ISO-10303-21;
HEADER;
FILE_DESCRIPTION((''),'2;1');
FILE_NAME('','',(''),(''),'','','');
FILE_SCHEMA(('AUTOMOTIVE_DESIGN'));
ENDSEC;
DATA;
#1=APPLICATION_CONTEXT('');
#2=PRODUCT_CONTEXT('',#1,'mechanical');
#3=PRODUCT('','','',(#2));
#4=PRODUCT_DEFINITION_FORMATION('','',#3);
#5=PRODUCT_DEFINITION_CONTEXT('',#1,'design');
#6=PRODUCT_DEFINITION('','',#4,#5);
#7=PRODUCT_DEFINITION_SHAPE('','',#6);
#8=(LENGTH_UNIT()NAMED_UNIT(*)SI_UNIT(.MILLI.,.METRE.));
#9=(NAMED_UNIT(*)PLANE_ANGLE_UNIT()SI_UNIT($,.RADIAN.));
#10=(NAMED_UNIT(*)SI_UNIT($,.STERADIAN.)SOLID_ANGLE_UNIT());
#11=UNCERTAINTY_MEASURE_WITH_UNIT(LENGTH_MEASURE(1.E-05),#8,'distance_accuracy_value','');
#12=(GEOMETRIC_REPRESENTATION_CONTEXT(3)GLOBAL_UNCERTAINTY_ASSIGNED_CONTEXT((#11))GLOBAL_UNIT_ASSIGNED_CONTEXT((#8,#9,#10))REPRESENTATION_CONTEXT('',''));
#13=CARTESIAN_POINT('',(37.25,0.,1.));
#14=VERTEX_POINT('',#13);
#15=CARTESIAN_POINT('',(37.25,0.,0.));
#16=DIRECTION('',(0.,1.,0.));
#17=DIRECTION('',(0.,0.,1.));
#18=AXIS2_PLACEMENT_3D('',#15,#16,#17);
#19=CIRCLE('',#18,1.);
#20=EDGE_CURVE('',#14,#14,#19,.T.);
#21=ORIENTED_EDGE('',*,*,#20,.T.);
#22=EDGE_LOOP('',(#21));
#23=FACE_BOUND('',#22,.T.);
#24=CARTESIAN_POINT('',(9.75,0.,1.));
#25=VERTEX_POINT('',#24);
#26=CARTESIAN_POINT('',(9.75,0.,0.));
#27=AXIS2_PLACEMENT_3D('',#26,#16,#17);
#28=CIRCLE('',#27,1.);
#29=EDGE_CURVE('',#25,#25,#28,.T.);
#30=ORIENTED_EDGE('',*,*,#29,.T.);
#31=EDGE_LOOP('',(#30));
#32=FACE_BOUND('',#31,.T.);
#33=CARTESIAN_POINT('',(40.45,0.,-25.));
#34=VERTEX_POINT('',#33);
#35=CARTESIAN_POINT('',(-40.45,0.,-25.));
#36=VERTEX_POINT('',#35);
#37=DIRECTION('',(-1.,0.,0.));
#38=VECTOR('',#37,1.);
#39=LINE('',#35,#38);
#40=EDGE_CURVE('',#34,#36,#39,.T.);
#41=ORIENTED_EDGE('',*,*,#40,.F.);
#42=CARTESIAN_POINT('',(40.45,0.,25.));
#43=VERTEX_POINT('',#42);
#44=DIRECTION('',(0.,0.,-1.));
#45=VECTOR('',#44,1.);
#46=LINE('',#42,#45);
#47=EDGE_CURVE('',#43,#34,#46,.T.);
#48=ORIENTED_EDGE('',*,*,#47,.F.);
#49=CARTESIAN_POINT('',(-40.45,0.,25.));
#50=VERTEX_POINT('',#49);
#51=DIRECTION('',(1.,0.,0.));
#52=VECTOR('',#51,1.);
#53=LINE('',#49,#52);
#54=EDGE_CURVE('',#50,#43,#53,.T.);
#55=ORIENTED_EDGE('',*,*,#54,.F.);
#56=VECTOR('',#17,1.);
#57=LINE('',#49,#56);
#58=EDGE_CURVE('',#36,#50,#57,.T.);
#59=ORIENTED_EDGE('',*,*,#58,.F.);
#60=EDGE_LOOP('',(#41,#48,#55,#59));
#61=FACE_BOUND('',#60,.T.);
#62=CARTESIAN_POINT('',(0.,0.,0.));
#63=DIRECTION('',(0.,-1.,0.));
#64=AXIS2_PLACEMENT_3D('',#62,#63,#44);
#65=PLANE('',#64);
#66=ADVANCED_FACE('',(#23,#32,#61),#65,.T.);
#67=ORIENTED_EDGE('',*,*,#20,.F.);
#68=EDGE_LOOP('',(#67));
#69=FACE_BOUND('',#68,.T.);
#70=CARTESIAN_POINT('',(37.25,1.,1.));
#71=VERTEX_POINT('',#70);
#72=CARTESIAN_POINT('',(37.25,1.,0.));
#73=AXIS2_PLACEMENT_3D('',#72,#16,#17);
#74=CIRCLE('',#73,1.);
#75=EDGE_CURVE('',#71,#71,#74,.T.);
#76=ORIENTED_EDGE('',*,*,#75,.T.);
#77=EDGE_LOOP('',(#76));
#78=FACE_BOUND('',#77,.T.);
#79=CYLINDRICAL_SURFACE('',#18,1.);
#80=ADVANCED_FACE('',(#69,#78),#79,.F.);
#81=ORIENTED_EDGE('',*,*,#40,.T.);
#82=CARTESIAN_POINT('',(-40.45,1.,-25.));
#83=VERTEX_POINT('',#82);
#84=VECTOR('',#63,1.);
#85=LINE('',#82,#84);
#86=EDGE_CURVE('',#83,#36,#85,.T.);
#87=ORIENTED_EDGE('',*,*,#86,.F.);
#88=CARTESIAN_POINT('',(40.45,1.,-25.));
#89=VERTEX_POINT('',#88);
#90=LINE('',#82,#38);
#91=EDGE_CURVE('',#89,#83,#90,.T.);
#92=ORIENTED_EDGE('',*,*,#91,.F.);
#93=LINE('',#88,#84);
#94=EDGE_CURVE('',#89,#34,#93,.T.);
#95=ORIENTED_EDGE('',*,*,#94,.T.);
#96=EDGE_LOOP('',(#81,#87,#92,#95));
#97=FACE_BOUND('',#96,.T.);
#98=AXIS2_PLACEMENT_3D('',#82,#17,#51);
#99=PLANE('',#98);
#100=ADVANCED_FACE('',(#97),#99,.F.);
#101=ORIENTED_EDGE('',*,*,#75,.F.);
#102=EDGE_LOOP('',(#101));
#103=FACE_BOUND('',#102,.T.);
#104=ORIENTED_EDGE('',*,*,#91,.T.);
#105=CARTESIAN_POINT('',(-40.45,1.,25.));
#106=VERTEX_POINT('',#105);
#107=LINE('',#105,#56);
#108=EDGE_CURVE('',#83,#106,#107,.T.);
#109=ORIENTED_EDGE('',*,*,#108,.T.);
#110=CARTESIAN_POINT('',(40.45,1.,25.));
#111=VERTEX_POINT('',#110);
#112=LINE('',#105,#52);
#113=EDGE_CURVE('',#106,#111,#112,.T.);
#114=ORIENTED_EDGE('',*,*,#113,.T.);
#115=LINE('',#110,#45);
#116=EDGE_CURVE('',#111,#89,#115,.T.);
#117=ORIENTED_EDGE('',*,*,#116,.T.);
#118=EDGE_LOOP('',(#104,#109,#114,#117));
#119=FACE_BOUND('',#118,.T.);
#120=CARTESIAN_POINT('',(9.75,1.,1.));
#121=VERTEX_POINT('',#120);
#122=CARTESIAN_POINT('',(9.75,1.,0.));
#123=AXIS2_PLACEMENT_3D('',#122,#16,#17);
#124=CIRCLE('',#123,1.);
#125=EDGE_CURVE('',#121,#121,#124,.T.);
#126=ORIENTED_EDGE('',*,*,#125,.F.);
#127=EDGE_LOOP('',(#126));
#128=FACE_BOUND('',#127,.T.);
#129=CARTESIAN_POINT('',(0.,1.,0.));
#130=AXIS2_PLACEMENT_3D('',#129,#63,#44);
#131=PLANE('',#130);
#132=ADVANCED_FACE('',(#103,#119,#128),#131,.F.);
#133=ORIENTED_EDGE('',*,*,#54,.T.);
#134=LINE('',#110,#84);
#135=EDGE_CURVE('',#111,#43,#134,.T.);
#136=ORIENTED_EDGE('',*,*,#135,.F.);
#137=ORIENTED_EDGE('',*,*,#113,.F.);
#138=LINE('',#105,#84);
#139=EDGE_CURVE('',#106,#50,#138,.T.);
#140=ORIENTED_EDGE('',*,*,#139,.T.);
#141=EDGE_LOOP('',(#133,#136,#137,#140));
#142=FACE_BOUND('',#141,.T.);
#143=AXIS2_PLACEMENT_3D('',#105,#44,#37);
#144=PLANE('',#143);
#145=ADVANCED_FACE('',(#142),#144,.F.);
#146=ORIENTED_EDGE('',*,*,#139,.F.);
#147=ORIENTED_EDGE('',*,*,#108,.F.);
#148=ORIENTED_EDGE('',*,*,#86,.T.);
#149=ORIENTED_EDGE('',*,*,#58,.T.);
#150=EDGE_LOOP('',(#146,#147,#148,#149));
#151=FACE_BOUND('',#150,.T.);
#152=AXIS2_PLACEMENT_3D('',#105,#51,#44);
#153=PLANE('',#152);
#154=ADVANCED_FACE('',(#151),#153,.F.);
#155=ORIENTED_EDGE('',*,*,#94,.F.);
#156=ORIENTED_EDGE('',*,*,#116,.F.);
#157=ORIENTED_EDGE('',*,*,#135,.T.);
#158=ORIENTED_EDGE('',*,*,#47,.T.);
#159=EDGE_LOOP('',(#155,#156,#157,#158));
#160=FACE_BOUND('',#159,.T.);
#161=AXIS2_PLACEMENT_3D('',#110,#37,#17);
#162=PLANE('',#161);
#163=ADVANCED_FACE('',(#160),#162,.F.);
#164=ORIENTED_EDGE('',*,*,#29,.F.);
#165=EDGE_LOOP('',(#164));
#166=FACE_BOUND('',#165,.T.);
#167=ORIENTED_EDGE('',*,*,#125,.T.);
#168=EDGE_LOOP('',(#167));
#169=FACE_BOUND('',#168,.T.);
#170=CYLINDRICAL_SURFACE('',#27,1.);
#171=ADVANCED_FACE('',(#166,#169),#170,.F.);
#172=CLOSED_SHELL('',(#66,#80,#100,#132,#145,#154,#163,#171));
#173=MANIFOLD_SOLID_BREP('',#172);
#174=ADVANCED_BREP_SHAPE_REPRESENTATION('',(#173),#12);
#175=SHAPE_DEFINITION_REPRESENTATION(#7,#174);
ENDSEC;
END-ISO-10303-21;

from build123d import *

# Parameters (mm, degrees)
ESBO_O1_W                = 80.9
ESBO_O1_H                = 50
RESSALTO_EXTRUS_O1_DEPTH = 1
ESBO_O2_R                = 1
CORTE_EXTRUS_O1_DEPTH    = 48.562616623


with BuildPart() as part:
    # Esboço1 → Ressalto-extrusão1 (new body)
    with BuildSketch(Plane(origin=(0, 0, 0), x_dir=(1, 0, 0), z_dir=(0, 1, 0))):
        Rectangle(ESBO_O1_W, ESBO_O1_H)
    extrude(amount=RESSALTO_EXTRUS_O1_DEPTH)

    # Esboço2 → Corte-extrusão1 (cut, through all)
    with BuildSketch(Plane(origin=(0, 1, 0), x_dir=(1, 0, 0), z_dir=(0, 1, 0))):
        with Locations(Location((37.25, 0, 0), (0, 0, 270))):
            Circle(ESBO_O2_R)
        with Locations(Location((9.75, 0, 0), (0, 0, 270))):
            Circle(ESBO_O2_R)
    extrude(amount=-CORTE_EXTRUS_O1_DEPTH, mode=Mode.SUBTRACT)


solid = part.part
